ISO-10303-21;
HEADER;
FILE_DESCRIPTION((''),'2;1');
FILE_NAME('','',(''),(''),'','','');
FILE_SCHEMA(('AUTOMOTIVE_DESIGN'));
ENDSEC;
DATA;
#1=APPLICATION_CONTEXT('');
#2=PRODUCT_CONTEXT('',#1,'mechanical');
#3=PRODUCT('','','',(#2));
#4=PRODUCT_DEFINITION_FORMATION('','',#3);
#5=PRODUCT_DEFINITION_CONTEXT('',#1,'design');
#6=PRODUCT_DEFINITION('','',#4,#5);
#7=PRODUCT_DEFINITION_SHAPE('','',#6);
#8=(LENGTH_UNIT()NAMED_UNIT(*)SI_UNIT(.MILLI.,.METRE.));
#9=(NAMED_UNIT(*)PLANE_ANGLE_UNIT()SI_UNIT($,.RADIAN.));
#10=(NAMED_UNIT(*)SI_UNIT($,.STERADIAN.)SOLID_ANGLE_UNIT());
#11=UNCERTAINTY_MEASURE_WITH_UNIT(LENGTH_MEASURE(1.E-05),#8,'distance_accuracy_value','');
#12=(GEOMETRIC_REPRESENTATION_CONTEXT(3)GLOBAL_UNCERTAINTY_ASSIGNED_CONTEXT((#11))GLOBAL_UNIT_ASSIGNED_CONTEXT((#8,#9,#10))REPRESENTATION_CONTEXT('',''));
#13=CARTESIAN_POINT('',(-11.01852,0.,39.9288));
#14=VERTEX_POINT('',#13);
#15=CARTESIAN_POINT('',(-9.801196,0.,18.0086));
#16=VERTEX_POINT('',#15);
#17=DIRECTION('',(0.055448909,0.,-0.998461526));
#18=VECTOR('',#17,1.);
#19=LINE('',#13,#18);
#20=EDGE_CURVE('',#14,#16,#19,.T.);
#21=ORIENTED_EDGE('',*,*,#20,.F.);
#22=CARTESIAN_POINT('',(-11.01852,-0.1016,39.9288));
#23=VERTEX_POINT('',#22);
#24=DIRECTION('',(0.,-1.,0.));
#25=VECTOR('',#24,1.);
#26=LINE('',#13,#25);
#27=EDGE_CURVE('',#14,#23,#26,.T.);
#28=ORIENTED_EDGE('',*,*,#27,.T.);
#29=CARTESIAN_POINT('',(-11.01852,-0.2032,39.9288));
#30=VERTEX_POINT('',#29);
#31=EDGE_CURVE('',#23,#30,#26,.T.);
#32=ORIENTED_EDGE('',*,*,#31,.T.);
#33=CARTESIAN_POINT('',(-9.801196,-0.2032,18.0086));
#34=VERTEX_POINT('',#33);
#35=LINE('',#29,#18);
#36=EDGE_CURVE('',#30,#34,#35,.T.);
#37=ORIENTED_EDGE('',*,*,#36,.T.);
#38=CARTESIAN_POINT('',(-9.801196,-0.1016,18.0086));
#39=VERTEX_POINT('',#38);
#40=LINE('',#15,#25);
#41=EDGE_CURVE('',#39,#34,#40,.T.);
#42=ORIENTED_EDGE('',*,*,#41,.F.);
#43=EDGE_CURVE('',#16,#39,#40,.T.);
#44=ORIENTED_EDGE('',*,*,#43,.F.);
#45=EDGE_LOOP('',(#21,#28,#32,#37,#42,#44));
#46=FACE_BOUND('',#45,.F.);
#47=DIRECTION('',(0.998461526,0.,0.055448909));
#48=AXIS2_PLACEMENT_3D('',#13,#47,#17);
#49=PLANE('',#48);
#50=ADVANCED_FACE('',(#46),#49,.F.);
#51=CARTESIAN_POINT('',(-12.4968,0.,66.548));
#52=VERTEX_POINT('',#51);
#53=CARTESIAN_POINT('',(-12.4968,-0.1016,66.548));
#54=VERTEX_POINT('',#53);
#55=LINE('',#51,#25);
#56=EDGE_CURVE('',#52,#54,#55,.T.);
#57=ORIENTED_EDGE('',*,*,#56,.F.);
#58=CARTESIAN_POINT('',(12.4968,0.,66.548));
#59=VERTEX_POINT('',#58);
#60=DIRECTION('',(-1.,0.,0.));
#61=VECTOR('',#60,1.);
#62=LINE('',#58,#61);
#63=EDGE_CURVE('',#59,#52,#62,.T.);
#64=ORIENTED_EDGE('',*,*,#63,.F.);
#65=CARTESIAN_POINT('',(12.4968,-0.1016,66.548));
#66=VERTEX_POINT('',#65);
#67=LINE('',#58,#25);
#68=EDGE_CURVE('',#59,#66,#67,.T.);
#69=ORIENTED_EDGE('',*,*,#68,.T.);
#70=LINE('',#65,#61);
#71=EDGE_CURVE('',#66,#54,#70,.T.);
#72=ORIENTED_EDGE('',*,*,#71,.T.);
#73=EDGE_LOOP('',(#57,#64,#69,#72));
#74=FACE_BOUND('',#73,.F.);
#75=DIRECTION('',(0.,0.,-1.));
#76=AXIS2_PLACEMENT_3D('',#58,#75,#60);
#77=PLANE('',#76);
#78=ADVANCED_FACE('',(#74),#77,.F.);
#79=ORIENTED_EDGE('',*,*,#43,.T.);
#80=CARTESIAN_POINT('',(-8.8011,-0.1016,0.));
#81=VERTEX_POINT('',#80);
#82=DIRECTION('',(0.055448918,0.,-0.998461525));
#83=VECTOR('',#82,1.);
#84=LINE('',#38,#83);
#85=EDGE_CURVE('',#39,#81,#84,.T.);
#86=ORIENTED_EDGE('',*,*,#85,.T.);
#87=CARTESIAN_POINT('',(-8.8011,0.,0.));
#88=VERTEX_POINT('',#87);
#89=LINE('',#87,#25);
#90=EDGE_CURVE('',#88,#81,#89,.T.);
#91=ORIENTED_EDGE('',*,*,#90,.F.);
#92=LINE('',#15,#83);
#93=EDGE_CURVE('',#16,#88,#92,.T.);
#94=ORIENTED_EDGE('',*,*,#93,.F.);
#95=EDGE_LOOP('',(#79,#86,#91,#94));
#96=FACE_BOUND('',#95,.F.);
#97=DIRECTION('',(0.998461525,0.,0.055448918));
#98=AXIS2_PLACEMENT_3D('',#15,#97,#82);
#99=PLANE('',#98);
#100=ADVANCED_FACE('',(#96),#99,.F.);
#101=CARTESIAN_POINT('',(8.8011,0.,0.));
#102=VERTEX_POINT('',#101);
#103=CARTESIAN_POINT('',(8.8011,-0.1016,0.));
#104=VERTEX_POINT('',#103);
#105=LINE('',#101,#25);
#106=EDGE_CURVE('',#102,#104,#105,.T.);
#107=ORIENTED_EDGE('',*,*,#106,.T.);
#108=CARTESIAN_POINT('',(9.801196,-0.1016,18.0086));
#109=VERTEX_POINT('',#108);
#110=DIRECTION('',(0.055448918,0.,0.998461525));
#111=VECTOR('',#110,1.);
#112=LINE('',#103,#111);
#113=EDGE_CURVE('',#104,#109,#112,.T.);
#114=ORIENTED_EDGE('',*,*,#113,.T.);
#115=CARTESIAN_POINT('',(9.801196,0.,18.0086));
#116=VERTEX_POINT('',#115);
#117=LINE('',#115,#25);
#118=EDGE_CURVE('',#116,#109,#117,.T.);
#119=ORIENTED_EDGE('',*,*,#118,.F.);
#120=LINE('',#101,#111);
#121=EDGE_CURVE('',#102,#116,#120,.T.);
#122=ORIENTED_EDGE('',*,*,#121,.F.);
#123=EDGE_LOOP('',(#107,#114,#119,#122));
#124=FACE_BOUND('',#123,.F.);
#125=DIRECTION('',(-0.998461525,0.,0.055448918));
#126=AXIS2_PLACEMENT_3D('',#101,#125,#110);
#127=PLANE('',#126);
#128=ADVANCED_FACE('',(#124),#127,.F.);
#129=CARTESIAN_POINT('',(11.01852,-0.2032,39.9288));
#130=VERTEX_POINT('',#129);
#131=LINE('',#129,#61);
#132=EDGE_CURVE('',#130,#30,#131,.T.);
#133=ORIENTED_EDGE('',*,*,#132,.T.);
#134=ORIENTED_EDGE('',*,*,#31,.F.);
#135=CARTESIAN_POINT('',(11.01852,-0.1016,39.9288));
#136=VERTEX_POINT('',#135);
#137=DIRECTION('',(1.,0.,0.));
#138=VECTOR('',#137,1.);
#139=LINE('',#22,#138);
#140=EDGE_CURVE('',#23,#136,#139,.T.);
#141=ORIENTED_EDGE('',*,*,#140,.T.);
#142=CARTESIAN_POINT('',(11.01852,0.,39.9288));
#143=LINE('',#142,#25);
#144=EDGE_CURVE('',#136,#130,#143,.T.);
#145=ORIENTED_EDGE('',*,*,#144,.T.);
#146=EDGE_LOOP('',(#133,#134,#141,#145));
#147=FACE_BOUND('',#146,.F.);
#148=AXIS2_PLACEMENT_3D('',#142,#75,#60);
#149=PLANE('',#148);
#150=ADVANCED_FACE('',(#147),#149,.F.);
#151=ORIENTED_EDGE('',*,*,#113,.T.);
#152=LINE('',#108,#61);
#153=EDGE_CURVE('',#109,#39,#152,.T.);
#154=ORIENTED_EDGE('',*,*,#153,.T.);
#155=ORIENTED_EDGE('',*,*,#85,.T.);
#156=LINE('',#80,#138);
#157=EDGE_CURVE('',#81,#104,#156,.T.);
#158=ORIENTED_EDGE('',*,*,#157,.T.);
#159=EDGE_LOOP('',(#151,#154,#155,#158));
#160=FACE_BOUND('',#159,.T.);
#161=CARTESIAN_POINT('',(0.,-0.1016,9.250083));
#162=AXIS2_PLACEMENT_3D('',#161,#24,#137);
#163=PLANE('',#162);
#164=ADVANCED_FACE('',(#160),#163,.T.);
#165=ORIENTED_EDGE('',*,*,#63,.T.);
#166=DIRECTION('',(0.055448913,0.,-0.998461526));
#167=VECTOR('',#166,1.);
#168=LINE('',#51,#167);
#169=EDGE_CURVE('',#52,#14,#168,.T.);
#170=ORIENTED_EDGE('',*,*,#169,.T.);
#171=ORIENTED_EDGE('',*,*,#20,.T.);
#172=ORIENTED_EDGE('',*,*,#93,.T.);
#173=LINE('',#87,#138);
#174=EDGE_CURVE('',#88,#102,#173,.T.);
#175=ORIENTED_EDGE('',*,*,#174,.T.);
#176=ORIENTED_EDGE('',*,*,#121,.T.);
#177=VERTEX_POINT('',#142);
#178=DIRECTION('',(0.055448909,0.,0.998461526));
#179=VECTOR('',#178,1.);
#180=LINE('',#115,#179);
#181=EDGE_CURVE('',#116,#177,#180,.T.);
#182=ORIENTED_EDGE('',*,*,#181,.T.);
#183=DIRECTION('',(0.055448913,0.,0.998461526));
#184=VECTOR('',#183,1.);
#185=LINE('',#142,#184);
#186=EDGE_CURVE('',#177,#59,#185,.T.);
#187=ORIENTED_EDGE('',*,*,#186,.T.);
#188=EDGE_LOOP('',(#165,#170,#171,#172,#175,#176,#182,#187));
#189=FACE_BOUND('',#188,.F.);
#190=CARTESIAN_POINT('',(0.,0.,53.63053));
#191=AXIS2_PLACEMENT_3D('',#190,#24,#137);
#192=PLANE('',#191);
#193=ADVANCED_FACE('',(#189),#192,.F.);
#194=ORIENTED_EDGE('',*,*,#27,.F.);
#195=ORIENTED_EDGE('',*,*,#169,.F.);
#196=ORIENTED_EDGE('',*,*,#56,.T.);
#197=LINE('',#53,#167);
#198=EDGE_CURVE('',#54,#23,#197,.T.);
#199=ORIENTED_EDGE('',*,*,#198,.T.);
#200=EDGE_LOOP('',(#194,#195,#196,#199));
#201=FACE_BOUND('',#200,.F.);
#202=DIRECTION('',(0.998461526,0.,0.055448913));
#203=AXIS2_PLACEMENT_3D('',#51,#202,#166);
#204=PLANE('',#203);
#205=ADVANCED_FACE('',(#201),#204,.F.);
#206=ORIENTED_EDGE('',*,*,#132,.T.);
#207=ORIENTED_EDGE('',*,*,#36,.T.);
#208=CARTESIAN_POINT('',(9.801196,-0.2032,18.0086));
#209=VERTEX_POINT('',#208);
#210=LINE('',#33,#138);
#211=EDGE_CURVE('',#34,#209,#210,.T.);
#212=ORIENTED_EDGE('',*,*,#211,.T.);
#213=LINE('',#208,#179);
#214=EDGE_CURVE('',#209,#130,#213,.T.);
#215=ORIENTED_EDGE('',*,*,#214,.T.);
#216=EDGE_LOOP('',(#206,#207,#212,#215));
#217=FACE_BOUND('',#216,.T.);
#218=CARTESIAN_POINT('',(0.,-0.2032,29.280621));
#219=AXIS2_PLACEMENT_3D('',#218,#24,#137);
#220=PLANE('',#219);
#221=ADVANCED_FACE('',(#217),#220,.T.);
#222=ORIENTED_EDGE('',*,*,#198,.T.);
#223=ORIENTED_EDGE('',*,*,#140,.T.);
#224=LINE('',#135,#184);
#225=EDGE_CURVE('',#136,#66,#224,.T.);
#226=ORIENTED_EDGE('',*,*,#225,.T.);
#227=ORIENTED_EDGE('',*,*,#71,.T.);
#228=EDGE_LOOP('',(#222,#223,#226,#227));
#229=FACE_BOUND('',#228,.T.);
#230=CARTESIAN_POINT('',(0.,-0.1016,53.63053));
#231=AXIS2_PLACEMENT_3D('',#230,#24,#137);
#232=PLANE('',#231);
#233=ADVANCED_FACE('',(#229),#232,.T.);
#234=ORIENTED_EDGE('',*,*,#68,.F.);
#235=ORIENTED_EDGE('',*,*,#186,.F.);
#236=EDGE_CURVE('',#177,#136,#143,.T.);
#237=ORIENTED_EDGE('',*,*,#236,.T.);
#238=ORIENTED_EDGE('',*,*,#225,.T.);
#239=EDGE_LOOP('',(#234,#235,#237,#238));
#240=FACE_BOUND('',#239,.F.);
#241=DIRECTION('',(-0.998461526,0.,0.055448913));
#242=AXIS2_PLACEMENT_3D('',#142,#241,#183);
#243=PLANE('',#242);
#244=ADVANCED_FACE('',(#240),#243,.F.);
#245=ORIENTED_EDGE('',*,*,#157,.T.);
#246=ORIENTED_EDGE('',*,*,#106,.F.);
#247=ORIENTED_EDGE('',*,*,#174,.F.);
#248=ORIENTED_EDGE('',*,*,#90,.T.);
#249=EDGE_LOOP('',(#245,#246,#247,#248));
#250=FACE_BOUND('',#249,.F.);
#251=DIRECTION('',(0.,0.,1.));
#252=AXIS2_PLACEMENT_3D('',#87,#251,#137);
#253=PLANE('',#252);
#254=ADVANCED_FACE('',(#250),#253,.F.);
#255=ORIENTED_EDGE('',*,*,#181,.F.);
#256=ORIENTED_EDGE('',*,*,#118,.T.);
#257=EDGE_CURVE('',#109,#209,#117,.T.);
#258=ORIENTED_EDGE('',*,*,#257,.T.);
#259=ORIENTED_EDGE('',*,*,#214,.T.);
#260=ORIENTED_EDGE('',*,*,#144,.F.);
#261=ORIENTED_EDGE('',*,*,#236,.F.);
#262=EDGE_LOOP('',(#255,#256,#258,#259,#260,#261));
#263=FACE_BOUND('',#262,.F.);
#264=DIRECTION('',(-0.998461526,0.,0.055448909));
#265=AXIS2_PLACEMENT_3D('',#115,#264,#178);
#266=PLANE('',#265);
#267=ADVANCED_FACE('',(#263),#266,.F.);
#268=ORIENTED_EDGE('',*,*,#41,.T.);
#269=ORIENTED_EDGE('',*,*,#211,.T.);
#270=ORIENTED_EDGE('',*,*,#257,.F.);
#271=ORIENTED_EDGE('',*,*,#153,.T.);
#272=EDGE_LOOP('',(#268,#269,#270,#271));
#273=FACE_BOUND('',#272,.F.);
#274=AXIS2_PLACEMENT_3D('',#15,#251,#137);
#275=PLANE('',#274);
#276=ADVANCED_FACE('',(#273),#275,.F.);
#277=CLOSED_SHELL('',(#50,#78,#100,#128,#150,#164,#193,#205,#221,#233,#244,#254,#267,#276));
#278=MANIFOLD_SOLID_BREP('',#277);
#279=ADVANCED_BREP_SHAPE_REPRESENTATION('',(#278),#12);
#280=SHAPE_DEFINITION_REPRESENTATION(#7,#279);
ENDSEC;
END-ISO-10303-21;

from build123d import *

# Parameters (mm, degrees)
F1_DEPTH = 0.2032
F2_DEPTH = 0.1016


with BuildPart() as f1:
    # F0 (on Front) → F1 (new body)
    with BuildSketch(Plane.XZ):
        Polygon((0, 18.0086), (9.801196, 18.0086), (11.01852, 39.9288), (0, 39.9288), (-11.01852, 39.9288), (-9.801196, 18.0086), align=None)
    extrude(amount=F1_DEPTH)

    # F0 (on Front) → F2 (join)
    with BuildSketch(Plane.XZ):
        Polygon((0, 39.9288), (11.01852, 39.9288), (12.4968, 66.548), (0, 66.548), (-12.4968, 66.548), (-11.01852, 39.9288), align=None)
        Polygon((-8.8011, 0), (0, 0), (8.8011, 0), (9.801196, 18.0086), (0, 18.0086), (-9.801196, 18.0086), align=None)
    extrude(amount=F2_DEPTH)


solid = f1.part
